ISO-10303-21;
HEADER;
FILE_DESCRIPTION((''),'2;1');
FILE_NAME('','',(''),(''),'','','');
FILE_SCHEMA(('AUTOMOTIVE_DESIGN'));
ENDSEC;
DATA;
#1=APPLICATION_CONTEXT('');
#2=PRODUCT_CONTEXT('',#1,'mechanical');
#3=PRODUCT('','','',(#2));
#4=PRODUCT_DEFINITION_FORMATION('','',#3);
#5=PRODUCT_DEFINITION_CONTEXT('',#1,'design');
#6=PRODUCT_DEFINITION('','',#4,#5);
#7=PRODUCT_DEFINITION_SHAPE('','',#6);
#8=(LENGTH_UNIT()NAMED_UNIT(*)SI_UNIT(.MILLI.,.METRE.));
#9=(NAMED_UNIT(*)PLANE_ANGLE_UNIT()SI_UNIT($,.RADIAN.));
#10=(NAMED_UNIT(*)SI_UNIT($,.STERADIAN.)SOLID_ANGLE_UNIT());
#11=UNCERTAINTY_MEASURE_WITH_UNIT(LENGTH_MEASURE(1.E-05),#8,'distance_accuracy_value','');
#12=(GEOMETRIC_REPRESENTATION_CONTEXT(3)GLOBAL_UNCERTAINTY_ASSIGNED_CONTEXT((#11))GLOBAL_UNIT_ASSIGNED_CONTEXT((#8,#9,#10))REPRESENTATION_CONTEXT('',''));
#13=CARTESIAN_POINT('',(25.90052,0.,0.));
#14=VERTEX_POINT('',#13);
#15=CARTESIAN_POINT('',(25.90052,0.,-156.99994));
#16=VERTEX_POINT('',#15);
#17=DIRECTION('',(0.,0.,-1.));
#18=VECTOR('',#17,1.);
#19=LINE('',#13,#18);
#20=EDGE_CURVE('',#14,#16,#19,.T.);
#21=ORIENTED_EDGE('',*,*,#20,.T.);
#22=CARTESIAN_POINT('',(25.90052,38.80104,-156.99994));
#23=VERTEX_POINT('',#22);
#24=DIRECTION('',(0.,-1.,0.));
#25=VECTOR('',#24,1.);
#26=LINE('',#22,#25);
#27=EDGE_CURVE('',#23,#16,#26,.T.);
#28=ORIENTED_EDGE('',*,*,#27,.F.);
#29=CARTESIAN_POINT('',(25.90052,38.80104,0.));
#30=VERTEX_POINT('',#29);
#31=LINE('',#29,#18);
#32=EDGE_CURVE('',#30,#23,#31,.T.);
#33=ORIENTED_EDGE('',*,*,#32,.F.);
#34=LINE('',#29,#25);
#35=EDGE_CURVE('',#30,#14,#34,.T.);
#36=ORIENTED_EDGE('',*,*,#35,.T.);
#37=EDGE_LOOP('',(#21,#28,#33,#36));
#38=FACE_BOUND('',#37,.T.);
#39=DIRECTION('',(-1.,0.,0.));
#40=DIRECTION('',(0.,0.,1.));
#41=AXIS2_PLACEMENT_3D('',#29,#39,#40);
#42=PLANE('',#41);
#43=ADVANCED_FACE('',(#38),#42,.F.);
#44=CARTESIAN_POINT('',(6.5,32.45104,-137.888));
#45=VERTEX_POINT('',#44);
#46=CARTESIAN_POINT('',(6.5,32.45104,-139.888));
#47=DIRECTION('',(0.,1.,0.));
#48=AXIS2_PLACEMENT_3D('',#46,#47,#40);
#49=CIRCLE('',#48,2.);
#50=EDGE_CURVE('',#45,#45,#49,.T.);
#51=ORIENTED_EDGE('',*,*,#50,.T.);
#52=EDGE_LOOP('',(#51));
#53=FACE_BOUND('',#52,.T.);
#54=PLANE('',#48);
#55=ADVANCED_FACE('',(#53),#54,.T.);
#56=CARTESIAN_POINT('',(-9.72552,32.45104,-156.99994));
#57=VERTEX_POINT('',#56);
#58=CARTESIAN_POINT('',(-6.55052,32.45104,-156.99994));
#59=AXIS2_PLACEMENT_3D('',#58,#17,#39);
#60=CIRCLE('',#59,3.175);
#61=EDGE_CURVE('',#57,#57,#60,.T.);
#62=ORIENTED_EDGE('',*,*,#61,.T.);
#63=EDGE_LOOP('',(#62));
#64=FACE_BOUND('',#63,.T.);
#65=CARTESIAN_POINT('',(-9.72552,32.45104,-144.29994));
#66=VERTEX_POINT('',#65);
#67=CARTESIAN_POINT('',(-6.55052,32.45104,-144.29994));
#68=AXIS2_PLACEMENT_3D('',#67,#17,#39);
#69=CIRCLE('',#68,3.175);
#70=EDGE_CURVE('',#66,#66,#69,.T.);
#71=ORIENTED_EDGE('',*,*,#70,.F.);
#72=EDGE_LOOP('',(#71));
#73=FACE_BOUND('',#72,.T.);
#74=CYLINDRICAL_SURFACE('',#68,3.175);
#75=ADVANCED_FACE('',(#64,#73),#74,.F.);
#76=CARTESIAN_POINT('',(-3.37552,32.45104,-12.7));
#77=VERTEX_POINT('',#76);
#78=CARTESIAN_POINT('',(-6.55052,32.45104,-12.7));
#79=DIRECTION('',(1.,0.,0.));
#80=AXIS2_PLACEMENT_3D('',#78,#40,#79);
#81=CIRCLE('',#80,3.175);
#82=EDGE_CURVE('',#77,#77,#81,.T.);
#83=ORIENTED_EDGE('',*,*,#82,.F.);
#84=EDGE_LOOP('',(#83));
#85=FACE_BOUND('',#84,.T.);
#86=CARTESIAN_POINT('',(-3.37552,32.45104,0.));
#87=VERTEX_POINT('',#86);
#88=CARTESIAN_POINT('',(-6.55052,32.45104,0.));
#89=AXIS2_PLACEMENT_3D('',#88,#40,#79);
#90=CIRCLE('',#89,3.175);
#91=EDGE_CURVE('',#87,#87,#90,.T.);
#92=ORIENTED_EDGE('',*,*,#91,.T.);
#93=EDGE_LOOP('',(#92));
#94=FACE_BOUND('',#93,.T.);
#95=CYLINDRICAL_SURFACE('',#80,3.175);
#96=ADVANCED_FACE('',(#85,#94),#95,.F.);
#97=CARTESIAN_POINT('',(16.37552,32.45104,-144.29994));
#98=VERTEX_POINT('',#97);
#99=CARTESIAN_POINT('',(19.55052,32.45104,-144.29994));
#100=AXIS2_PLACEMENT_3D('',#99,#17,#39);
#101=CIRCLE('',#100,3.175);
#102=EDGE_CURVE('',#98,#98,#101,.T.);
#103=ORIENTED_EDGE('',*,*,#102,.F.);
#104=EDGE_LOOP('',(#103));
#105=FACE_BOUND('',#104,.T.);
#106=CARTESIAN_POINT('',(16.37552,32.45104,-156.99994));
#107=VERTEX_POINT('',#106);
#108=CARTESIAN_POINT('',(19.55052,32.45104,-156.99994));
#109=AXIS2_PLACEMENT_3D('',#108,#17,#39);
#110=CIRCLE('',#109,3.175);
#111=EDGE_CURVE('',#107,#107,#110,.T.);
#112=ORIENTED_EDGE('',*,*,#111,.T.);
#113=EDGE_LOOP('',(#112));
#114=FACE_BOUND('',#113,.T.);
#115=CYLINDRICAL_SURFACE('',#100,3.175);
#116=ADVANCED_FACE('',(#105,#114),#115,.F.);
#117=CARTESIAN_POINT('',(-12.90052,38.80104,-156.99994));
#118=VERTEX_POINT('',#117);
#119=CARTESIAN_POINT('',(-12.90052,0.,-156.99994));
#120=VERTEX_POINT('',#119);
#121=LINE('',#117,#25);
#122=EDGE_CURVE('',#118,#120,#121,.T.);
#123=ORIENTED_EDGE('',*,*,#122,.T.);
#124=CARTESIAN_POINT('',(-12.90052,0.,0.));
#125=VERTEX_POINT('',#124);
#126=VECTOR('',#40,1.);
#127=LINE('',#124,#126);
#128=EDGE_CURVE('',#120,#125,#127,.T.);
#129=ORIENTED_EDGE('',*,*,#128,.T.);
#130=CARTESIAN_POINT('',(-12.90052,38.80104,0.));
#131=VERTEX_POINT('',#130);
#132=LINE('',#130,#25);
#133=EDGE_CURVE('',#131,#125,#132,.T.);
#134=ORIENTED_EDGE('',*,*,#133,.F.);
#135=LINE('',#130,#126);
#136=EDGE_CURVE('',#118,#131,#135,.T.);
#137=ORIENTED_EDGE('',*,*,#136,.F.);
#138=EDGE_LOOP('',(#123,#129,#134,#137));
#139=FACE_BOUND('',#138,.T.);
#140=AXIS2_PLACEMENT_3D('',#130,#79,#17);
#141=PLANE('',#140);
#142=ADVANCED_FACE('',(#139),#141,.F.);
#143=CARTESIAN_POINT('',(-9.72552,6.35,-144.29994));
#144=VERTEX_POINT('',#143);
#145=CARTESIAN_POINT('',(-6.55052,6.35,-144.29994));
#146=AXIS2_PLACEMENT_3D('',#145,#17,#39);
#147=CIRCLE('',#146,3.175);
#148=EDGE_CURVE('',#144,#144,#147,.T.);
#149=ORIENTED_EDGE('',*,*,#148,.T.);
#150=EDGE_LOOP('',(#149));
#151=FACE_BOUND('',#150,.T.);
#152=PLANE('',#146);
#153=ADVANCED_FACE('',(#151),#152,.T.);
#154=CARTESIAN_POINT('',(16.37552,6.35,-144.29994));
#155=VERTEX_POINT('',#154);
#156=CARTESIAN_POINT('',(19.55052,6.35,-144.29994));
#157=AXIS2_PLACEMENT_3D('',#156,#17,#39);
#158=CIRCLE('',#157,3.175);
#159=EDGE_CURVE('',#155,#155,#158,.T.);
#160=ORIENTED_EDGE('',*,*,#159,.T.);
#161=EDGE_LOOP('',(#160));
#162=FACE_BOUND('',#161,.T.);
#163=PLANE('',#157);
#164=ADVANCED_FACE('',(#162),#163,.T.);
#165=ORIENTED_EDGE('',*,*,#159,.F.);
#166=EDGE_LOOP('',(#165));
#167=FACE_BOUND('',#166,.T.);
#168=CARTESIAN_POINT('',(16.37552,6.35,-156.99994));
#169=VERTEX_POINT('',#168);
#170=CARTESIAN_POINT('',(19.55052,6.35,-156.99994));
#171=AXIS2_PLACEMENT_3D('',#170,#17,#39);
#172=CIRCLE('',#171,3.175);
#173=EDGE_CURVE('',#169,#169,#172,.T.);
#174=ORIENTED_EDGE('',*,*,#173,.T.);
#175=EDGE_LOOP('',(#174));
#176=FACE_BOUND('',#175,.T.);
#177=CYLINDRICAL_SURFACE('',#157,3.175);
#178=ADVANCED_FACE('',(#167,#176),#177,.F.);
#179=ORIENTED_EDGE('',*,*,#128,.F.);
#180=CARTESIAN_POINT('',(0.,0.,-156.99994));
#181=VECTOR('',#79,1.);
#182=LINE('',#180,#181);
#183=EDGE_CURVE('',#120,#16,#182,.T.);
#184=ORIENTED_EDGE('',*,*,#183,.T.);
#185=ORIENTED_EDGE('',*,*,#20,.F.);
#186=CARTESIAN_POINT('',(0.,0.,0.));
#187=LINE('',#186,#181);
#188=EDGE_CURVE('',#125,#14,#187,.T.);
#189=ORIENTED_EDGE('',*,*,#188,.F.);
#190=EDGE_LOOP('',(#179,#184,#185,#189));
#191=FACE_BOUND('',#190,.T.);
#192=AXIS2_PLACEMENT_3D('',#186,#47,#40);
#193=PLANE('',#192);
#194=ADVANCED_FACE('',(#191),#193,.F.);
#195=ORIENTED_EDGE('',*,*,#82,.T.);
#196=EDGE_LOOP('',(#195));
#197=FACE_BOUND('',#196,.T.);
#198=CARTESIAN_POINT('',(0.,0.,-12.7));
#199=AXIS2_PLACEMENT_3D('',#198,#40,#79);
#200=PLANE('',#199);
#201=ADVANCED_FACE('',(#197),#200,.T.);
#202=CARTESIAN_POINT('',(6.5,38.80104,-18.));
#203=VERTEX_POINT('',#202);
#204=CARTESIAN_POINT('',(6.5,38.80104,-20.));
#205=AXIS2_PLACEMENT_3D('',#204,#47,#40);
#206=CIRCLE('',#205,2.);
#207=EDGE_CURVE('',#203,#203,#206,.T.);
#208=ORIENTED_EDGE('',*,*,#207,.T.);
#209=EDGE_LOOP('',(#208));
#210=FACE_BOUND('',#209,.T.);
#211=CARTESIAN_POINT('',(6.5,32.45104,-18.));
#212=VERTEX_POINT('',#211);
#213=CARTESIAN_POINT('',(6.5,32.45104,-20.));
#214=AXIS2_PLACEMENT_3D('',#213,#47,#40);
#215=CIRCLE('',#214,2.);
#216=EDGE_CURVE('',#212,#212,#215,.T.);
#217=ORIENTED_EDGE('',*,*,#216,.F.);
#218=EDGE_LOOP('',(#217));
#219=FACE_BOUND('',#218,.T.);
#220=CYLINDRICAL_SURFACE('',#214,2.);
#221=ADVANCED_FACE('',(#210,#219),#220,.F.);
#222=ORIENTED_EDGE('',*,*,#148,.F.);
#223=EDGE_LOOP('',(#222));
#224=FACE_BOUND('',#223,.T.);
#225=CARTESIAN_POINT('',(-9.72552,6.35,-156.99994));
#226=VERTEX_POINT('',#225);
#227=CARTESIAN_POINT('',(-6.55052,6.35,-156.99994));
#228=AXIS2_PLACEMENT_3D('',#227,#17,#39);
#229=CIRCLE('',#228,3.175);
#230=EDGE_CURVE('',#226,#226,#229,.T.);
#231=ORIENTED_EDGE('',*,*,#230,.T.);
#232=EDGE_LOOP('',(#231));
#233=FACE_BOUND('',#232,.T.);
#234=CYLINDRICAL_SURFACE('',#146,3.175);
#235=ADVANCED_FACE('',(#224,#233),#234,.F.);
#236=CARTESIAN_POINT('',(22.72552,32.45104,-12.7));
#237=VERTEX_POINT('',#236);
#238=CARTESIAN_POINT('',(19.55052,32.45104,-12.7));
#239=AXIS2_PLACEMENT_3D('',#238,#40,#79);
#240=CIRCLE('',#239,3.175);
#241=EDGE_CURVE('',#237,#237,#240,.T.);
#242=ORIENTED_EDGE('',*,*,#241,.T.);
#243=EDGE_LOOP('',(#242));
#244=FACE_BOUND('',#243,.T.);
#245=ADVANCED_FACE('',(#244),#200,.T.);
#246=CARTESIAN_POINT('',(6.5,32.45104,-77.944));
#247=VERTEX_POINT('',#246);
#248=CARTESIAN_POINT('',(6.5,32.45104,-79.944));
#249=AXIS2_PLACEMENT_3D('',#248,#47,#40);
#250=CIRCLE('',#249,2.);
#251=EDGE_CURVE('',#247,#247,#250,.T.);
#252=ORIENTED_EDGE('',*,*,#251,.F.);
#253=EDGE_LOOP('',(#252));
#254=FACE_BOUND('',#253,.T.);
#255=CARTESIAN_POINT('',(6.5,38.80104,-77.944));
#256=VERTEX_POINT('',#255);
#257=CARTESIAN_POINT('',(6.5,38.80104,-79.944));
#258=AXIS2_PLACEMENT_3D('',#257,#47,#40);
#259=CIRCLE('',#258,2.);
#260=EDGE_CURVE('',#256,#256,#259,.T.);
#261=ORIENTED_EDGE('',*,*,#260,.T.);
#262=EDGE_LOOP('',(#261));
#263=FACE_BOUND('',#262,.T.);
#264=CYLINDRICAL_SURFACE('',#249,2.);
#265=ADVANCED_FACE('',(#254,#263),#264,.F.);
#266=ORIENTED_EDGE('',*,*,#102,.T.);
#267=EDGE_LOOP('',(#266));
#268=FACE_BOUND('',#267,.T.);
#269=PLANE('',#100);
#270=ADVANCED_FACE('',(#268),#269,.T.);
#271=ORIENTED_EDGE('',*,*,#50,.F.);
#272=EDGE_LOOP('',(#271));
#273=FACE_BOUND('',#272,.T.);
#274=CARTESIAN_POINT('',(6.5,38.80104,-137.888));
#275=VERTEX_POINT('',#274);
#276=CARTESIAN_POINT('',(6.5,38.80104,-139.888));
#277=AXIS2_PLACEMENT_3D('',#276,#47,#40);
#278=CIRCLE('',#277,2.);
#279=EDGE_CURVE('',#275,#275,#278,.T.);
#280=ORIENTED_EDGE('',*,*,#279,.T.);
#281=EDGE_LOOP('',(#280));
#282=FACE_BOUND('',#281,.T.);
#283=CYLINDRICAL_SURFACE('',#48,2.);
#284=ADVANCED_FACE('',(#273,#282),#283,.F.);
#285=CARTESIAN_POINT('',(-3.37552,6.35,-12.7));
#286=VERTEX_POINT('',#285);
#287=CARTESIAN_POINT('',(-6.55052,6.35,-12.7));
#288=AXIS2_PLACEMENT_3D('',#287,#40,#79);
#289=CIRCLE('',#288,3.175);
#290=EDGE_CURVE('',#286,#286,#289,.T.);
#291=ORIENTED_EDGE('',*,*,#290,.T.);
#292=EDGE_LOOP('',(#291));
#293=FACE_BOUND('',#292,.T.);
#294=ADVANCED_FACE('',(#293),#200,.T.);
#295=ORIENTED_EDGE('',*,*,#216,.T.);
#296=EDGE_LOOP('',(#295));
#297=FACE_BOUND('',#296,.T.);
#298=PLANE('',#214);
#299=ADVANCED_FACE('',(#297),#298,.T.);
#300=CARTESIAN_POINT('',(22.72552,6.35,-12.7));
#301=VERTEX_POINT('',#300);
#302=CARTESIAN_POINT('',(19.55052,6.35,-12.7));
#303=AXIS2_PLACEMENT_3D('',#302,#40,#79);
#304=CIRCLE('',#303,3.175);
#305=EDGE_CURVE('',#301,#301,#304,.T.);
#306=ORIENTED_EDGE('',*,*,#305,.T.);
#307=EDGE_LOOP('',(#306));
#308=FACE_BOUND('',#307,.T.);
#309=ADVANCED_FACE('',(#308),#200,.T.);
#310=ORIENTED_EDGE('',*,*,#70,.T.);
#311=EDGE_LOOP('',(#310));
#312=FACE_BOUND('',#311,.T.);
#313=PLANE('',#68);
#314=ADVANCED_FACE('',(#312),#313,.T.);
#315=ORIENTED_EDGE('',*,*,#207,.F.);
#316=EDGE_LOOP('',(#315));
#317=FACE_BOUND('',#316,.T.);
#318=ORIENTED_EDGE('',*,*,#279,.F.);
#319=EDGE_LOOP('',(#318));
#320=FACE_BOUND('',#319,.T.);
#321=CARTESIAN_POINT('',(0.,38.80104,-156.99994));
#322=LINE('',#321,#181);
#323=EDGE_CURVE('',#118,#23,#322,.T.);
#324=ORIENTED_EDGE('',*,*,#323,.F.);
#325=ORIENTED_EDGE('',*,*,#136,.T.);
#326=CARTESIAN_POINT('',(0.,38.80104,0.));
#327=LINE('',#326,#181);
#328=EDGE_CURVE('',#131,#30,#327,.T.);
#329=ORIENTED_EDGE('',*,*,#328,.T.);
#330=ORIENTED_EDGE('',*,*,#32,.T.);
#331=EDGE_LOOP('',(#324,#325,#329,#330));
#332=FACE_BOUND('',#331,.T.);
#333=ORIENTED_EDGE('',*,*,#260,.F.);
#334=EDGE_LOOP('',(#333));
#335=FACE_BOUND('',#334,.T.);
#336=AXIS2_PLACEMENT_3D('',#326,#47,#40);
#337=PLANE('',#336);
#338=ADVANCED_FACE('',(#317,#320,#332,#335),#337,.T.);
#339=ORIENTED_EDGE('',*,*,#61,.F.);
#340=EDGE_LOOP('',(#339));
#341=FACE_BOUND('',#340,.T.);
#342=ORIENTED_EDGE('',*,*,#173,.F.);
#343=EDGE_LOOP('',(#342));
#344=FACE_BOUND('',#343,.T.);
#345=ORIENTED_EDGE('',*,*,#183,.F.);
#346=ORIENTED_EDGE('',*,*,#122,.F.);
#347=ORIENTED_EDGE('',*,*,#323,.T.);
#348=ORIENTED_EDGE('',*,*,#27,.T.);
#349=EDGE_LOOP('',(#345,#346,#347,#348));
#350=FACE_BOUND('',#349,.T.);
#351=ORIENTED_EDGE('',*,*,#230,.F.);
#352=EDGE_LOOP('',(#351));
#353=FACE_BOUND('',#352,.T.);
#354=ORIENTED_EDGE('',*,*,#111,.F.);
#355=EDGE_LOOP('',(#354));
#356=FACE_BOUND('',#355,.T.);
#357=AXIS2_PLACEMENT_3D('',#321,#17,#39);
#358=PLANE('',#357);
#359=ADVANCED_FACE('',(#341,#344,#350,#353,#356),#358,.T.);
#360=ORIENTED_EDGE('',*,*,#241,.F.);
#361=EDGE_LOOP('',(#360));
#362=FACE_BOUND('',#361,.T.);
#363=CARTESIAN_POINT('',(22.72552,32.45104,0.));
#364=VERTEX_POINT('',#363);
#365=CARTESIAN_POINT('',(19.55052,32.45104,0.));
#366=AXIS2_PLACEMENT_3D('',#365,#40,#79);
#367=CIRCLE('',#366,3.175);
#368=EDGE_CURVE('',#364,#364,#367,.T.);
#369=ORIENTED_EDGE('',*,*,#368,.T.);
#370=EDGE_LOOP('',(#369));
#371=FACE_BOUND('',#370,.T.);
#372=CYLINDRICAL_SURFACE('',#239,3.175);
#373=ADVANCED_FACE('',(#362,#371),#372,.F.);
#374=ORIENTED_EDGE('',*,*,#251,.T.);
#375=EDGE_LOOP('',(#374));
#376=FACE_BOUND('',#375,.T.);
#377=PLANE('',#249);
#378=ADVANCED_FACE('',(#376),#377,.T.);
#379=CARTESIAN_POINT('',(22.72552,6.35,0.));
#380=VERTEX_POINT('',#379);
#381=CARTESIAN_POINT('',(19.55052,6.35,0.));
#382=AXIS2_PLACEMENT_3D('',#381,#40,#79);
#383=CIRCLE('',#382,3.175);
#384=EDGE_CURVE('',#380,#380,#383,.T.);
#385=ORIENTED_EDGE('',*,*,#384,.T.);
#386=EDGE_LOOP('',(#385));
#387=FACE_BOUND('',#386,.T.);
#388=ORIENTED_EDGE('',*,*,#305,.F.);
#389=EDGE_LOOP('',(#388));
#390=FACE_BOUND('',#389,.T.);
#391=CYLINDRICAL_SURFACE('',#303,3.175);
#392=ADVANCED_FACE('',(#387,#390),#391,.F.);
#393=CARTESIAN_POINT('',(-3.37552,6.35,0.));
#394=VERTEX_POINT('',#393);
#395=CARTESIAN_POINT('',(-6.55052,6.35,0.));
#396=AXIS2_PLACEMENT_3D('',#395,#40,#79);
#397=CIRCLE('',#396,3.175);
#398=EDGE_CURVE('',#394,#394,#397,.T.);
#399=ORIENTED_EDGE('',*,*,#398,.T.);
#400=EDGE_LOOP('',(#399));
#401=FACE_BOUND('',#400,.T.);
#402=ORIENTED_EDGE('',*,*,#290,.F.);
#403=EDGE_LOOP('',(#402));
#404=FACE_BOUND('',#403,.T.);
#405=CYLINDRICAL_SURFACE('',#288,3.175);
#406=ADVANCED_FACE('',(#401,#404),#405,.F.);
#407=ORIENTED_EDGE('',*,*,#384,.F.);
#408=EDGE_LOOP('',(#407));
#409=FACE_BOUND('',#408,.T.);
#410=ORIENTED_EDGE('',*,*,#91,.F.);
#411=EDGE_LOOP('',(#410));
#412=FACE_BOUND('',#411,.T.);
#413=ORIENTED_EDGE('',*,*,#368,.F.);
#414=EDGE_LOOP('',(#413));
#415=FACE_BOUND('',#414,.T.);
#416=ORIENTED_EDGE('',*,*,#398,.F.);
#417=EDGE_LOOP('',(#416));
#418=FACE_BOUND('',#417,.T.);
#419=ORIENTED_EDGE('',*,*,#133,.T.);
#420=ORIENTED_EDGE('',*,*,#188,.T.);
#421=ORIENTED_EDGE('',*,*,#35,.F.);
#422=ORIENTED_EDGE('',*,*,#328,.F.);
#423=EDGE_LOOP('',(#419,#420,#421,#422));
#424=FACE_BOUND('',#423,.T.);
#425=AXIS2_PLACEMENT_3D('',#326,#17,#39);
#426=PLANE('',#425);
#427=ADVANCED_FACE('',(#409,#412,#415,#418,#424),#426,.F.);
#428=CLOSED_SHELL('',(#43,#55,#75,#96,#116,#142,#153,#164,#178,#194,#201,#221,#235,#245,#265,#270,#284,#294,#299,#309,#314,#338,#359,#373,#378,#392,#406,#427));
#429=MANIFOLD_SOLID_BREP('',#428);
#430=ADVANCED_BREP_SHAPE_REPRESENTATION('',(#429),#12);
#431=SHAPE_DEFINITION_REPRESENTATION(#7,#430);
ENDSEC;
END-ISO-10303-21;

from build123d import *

# Parameters (mm, degrees)
SKETCH1_W           = 12.90052
SKETCH1_H           = 156.99994
SKETCH1_W_2         = 13
SKETCH1_R           = 2
BOSS_EXTRUDE1_DEPTH = 38.80104
CUT_EXTRUDE1_START  = 38.80104
SKETCH1_3_R         = 2
CUT_EXTRUDE1_DEPTH  = 6.35
SKETCH2_R           = 3.175
CUT_EXTRUDE2_DEPTH  = 12.7
CUT_EXTRUDE3_START  = -156.99994
SKETCH2_3_R         = 3.175
CUT_EXTRUDE3_DEPTH  = 12.7


with BuildPart() as part:
    # Sketch1 → Boss-Extrude1 (new body)
    with BuildSketch(Plane(origin=(0, 0, 0), x_dir=(1, 0, 0), z_dir=(0, 1, 0))):
        with Locations((-6.45026, 78.49997)):
            Rectangle(SKETCH1_W, SKETCH1_H)
        with Locations((6.5, 78.49997)):
            Rectangle(SKETCH1_W_2, SKETCH1_H)
        with Locations((6.5, 20)):
            Circle(SKETCH1_R, mode=Mode.SUBTRACT)
        with Locations((6.5, 79.944)):
            Circle(SKETCH1_R, mode=Mode.SUBTRACT)
        with Locations((6.5, 139.888)):
            Circle(SKETCH1_R, mode=Mode.SUBTRACT)
        with Locations((19.45026, 78.49997)):
            Rectangle(SKETCH1_W, SKETCH1_H)
        with Locations((6.5, 20)):
            Circle(SKETCH1_R)
        with Locations((6.5, 139.888)):
            Circle(SKETCH1_R)
        with Locations((6.5, 79.944)):
            Circle(SKETCH1_R)
    extrude(amount=BOSS_EXTRUDE1_DEPTH)

    # Sketch1<3> → Cut-Extrude1 (cut)
    with BuildSketch(Plane(origin=(0, 0, 0), x_dir=(1, 0, 0), z_dir=(0, 1, 0)).offset(CUT_EXTRUDE1_START)):
        with Locations((6.5, 20)):
            Circle(SKETCH1_3_R)
        with Locations((6.5, 79.944)):
            Circle(SKETCH1_3_R)
        with Locations((6.5, 139.888)):
            Circle(SKETCH1_3_R)
    extrude(amount=-CUT_EXTRUDE1_DEPTH, mode=Mode.SUBTRACT)

    # Sketch2 → Cut-Extrude2 (cut)
    with BuildSketch(Plane.XY):
        with Locations((-6.55052, 32.45104)):
            Circle(SKETCH2_R)
        with Locations((19.55052, 32.45104)):
            Circle(SKETCH2_R)
        with Locations((19.55052, 6.35)):
            Circle(SKETCH2_R)
        with Locations((-6.55052, 6.35)):
            Circle(SKETCH2_R)
    extrude(amount=-CUT_EXTRUDE2_DEPTH, mode=Mode.SUBTRACT)

    # Sketch2<3> → Cut-Extrude3 (cut)
    with BuildSketch(Plane.XY.offset(CUT_EXTRUDE3_START)):
        with Locations((-6.55052, 32.45104)):
            Circle(SKETCH2_3_R)
        with Locations((19.55052, 32.45104)):
            Circle(SKETCH2_3_R)
        with Locations((19.55052, 6.35)):
            Circle(SKETCH2_3_R)
        with Locations((-6.55052, 6.35)):
            Circle(SKETCH2_3_R)
    extrude(amount=CUT_EXTRUDE3_DEPTH, mode=Mode.SUBTRACT)


solid = part.part
